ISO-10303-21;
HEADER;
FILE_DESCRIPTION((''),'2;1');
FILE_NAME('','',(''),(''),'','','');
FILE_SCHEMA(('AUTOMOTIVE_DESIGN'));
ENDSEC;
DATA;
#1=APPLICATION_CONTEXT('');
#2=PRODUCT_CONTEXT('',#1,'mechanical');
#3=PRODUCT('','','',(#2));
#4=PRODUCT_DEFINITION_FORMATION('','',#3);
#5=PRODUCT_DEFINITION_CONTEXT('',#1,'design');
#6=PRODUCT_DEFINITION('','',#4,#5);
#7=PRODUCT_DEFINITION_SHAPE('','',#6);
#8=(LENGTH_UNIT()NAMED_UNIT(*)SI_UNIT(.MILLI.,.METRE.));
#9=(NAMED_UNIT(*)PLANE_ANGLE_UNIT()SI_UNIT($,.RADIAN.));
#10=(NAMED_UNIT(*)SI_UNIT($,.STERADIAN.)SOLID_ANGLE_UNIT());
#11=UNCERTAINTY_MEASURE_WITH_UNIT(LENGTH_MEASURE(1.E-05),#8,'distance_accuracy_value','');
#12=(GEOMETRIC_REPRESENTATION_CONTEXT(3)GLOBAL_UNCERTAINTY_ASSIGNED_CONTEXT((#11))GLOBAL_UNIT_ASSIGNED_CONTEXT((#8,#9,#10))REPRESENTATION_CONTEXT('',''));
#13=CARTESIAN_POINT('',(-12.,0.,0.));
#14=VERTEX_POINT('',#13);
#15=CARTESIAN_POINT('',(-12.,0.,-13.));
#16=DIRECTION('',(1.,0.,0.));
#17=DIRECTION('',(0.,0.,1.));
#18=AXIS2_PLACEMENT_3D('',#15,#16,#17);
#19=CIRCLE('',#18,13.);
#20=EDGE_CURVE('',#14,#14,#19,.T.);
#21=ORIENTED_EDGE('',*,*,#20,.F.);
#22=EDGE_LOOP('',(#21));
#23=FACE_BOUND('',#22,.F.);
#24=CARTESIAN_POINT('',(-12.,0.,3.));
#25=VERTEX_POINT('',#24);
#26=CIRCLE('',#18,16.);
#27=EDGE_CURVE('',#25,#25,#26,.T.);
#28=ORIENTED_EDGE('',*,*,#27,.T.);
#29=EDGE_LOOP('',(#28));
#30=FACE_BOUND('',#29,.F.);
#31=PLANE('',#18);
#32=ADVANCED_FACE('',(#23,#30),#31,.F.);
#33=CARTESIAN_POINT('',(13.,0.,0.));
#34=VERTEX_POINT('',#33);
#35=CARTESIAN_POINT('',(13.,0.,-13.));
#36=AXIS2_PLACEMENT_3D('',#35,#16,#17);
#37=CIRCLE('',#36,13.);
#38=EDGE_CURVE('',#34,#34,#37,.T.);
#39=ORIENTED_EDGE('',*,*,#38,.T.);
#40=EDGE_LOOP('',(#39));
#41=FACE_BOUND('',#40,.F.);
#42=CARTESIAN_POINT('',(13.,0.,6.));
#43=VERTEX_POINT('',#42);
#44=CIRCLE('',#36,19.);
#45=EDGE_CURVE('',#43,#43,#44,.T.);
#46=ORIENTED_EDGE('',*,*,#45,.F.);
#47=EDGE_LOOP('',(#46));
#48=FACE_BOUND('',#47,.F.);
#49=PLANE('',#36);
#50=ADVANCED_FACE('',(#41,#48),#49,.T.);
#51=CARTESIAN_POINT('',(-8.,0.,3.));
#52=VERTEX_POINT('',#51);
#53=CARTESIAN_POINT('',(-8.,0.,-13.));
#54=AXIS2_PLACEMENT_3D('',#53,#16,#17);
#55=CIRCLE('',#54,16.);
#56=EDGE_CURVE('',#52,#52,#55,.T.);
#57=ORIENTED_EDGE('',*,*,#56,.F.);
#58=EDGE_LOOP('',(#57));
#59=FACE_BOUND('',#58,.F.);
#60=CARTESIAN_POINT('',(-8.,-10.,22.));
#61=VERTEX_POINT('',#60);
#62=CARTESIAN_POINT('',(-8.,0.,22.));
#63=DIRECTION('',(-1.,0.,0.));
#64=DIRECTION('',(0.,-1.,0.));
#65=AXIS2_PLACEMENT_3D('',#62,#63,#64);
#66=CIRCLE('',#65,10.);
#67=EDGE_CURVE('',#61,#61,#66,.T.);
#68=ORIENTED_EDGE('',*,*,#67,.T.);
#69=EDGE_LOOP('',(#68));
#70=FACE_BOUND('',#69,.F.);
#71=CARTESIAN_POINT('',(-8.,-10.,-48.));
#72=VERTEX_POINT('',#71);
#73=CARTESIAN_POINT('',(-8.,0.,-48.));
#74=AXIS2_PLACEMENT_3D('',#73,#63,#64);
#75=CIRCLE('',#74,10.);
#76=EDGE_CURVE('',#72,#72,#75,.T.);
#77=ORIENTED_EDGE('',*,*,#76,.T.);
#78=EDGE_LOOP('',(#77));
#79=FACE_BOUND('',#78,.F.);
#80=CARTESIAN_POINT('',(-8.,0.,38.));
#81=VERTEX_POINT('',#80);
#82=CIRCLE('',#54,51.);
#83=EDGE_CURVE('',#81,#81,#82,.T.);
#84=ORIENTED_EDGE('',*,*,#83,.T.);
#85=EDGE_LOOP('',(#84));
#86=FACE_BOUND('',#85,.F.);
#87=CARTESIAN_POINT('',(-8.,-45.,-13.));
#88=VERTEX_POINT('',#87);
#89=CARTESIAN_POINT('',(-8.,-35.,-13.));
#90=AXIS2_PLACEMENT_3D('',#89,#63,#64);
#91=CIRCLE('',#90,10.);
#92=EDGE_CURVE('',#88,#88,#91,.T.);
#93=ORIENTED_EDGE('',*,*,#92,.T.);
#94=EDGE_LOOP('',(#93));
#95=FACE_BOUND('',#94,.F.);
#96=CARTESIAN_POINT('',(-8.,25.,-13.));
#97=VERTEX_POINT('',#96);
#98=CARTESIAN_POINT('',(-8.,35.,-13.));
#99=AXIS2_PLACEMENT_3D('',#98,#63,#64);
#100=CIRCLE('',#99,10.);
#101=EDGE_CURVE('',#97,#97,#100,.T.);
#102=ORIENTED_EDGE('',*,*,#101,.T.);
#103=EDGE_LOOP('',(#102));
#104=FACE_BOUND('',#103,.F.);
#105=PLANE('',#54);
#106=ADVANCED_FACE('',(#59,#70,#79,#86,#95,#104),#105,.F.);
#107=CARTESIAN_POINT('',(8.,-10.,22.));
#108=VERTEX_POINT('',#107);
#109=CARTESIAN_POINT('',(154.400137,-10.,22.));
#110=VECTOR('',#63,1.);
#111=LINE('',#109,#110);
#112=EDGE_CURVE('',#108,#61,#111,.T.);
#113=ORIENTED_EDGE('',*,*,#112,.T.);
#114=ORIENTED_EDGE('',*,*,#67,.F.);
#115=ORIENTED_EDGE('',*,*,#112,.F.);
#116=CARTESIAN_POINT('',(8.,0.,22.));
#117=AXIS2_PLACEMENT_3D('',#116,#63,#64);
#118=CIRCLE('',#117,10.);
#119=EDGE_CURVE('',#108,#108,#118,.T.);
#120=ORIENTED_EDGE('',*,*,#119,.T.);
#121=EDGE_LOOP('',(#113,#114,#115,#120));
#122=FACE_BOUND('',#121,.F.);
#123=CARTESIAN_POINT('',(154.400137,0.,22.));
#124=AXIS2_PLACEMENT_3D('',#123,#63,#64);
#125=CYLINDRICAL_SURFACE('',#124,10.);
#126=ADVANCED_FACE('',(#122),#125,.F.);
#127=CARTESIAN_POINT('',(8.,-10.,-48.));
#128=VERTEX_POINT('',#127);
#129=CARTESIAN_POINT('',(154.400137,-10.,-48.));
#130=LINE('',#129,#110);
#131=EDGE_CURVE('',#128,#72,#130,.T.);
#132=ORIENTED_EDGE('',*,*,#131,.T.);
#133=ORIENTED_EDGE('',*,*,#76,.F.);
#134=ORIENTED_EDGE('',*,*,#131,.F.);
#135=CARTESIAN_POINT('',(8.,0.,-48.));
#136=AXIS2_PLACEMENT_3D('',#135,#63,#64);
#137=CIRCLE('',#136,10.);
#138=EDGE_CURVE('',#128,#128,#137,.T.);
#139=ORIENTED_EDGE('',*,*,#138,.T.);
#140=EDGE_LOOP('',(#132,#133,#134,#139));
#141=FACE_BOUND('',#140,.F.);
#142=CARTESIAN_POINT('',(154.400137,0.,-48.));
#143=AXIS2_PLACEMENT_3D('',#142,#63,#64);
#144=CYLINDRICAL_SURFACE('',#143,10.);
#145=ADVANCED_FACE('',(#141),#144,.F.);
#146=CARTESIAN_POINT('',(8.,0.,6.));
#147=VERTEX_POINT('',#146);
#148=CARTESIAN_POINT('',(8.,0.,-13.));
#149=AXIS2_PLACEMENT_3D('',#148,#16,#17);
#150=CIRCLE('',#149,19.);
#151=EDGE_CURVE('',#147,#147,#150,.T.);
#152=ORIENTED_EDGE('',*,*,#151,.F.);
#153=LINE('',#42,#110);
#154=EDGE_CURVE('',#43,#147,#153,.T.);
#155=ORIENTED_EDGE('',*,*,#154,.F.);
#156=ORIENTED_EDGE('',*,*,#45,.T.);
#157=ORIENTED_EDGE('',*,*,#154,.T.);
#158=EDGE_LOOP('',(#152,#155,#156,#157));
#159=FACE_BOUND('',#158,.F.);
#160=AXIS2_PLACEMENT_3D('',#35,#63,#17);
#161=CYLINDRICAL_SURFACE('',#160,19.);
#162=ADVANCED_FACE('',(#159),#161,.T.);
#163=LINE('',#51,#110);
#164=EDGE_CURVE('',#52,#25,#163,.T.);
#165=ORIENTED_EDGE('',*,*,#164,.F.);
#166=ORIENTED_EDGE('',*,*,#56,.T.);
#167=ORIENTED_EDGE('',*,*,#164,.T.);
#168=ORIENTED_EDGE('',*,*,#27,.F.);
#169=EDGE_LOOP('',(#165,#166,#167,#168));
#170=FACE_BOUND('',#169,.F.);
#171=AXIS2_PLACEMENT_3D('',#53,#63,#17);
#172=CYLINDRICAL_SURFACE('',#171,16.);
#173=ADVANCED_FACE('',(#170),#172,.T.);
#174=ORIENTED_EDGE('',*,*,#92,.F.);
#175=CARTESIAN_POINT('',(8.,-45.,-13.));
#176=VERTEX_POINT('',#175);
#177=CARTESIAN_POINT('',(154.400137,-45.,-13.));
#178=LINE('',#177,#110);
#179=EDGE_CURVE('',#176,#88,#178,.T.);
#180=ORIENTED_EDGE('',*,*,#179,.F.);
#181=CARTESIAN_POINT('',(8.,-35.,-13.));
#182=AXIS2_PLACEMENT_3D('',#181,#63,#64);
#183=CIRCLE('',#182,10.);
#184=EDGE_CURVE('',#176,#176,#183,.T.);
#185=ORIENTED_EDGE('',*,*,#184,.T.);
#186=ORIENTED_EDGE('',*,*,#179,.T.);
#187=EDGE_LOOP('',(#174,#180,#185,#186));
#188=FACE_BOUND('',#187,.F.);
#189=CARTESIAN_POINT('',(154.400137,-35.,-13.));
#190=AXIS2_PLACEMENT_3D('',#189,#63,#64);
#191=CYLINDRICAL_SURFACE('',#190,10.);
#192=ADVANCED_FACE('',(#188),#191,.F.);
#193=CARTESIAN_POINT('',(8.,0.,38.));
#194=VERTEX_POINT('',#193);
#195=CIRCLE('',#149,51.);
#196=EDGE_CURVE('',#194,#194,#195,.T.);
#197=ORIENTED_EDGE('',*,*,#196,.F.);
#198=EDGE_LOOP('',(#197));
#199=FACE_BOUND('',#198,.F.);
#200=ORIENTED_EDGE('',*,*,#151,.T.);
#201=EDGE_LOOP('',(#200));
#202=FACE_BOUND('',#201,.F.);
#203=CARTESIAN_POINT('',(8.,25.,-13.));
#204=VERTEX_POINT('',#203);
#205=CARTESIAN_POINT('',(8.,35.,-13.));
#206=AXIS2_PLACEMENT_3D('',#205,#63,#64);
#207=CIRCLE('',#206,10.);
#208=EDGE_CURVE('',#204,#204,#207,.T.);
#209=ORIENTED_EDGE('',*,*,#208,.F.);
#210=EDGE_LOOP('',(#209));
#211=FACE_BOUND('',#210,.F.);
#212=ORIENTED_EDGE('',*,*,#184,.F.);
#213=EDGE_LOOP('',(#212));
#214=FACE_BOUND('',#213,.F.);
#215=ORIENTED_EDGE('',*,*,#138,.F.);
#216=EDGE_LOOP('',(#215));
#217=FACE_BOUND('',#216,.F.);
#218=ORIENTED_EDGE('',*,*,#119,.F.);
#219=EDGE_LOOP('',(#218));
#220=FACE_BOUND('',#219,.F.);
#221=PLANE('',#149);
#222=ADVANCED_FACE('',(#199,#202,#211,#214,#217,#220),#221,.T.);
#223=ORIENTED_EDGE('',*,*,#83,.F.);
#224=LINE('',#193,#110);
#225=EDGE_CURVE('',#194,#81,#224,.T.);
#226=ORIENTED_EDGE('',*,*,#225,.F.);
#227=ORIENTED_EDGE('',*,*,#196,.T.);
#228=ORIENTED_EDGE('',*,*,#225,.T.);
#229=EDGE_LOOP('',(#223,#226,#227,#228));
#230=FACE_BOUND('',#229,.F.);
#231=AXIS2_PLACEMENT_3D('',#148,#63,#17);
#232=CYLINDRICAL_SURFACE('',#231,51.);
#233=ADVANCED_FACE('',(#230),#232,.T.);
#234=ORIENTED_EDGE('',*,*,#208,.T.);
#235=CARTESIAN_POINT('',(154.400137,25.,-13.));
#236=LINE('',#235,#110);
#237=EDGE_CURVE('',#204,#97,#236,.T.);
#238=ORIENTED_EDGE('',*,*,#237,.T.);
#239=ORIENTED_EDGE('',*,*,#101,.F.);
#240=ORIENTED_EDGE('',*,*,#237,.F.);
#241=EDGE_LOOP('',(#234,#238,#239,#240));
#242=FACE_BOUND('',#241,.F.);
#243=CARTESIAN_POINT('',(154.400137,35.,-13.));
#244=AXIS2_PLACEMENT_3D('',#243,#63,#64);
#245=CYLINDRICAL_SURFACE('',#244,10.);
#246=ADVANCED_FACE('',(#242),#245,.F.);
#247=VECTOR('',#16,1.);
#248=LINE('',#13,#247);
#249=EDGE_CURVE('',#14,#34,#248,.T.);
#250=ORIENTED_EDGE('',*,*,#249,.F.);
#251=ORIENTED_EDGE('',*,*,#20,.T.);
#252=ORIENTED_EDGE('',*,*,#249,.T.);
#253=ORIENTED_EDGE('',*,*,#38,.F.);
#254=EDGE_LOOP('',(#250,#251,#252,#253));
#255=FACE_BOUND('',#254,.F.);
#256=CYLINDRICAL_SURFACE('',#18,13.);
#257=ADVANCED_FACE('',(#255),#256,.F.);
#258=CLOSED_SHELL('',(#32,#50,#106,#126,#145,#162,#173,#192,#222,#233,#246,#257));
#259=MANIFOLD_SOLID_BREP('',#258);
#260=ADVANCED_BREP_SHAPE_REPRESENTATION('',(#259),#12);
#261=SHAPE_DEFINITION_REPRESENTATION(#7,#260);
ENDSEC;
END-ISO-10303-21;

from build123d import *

# Parameters (mm, degrees)
F3_D = 20


with BuildPart() as f1:
    # F0 (on Front) → F1 (revolve)
    with BuildSketch(Plane.XZ):
        Polygon((8, 38), (-8, 38), (-8, 3), (-12, 3), (-12, 0), (13, 0), (13, 6), (8, 6), align=None)
    revolve(axis=Axis((1.21409, 0, -13), (1, 0, 0)))

    # F3 (through all)
    with Locations(Plane.YZ.offset(8)):
        with Locations((0, 22), (-35, -13), (0, -48), (35, -13)):
            Hole(F3_D / 2)


solid = f1.part
